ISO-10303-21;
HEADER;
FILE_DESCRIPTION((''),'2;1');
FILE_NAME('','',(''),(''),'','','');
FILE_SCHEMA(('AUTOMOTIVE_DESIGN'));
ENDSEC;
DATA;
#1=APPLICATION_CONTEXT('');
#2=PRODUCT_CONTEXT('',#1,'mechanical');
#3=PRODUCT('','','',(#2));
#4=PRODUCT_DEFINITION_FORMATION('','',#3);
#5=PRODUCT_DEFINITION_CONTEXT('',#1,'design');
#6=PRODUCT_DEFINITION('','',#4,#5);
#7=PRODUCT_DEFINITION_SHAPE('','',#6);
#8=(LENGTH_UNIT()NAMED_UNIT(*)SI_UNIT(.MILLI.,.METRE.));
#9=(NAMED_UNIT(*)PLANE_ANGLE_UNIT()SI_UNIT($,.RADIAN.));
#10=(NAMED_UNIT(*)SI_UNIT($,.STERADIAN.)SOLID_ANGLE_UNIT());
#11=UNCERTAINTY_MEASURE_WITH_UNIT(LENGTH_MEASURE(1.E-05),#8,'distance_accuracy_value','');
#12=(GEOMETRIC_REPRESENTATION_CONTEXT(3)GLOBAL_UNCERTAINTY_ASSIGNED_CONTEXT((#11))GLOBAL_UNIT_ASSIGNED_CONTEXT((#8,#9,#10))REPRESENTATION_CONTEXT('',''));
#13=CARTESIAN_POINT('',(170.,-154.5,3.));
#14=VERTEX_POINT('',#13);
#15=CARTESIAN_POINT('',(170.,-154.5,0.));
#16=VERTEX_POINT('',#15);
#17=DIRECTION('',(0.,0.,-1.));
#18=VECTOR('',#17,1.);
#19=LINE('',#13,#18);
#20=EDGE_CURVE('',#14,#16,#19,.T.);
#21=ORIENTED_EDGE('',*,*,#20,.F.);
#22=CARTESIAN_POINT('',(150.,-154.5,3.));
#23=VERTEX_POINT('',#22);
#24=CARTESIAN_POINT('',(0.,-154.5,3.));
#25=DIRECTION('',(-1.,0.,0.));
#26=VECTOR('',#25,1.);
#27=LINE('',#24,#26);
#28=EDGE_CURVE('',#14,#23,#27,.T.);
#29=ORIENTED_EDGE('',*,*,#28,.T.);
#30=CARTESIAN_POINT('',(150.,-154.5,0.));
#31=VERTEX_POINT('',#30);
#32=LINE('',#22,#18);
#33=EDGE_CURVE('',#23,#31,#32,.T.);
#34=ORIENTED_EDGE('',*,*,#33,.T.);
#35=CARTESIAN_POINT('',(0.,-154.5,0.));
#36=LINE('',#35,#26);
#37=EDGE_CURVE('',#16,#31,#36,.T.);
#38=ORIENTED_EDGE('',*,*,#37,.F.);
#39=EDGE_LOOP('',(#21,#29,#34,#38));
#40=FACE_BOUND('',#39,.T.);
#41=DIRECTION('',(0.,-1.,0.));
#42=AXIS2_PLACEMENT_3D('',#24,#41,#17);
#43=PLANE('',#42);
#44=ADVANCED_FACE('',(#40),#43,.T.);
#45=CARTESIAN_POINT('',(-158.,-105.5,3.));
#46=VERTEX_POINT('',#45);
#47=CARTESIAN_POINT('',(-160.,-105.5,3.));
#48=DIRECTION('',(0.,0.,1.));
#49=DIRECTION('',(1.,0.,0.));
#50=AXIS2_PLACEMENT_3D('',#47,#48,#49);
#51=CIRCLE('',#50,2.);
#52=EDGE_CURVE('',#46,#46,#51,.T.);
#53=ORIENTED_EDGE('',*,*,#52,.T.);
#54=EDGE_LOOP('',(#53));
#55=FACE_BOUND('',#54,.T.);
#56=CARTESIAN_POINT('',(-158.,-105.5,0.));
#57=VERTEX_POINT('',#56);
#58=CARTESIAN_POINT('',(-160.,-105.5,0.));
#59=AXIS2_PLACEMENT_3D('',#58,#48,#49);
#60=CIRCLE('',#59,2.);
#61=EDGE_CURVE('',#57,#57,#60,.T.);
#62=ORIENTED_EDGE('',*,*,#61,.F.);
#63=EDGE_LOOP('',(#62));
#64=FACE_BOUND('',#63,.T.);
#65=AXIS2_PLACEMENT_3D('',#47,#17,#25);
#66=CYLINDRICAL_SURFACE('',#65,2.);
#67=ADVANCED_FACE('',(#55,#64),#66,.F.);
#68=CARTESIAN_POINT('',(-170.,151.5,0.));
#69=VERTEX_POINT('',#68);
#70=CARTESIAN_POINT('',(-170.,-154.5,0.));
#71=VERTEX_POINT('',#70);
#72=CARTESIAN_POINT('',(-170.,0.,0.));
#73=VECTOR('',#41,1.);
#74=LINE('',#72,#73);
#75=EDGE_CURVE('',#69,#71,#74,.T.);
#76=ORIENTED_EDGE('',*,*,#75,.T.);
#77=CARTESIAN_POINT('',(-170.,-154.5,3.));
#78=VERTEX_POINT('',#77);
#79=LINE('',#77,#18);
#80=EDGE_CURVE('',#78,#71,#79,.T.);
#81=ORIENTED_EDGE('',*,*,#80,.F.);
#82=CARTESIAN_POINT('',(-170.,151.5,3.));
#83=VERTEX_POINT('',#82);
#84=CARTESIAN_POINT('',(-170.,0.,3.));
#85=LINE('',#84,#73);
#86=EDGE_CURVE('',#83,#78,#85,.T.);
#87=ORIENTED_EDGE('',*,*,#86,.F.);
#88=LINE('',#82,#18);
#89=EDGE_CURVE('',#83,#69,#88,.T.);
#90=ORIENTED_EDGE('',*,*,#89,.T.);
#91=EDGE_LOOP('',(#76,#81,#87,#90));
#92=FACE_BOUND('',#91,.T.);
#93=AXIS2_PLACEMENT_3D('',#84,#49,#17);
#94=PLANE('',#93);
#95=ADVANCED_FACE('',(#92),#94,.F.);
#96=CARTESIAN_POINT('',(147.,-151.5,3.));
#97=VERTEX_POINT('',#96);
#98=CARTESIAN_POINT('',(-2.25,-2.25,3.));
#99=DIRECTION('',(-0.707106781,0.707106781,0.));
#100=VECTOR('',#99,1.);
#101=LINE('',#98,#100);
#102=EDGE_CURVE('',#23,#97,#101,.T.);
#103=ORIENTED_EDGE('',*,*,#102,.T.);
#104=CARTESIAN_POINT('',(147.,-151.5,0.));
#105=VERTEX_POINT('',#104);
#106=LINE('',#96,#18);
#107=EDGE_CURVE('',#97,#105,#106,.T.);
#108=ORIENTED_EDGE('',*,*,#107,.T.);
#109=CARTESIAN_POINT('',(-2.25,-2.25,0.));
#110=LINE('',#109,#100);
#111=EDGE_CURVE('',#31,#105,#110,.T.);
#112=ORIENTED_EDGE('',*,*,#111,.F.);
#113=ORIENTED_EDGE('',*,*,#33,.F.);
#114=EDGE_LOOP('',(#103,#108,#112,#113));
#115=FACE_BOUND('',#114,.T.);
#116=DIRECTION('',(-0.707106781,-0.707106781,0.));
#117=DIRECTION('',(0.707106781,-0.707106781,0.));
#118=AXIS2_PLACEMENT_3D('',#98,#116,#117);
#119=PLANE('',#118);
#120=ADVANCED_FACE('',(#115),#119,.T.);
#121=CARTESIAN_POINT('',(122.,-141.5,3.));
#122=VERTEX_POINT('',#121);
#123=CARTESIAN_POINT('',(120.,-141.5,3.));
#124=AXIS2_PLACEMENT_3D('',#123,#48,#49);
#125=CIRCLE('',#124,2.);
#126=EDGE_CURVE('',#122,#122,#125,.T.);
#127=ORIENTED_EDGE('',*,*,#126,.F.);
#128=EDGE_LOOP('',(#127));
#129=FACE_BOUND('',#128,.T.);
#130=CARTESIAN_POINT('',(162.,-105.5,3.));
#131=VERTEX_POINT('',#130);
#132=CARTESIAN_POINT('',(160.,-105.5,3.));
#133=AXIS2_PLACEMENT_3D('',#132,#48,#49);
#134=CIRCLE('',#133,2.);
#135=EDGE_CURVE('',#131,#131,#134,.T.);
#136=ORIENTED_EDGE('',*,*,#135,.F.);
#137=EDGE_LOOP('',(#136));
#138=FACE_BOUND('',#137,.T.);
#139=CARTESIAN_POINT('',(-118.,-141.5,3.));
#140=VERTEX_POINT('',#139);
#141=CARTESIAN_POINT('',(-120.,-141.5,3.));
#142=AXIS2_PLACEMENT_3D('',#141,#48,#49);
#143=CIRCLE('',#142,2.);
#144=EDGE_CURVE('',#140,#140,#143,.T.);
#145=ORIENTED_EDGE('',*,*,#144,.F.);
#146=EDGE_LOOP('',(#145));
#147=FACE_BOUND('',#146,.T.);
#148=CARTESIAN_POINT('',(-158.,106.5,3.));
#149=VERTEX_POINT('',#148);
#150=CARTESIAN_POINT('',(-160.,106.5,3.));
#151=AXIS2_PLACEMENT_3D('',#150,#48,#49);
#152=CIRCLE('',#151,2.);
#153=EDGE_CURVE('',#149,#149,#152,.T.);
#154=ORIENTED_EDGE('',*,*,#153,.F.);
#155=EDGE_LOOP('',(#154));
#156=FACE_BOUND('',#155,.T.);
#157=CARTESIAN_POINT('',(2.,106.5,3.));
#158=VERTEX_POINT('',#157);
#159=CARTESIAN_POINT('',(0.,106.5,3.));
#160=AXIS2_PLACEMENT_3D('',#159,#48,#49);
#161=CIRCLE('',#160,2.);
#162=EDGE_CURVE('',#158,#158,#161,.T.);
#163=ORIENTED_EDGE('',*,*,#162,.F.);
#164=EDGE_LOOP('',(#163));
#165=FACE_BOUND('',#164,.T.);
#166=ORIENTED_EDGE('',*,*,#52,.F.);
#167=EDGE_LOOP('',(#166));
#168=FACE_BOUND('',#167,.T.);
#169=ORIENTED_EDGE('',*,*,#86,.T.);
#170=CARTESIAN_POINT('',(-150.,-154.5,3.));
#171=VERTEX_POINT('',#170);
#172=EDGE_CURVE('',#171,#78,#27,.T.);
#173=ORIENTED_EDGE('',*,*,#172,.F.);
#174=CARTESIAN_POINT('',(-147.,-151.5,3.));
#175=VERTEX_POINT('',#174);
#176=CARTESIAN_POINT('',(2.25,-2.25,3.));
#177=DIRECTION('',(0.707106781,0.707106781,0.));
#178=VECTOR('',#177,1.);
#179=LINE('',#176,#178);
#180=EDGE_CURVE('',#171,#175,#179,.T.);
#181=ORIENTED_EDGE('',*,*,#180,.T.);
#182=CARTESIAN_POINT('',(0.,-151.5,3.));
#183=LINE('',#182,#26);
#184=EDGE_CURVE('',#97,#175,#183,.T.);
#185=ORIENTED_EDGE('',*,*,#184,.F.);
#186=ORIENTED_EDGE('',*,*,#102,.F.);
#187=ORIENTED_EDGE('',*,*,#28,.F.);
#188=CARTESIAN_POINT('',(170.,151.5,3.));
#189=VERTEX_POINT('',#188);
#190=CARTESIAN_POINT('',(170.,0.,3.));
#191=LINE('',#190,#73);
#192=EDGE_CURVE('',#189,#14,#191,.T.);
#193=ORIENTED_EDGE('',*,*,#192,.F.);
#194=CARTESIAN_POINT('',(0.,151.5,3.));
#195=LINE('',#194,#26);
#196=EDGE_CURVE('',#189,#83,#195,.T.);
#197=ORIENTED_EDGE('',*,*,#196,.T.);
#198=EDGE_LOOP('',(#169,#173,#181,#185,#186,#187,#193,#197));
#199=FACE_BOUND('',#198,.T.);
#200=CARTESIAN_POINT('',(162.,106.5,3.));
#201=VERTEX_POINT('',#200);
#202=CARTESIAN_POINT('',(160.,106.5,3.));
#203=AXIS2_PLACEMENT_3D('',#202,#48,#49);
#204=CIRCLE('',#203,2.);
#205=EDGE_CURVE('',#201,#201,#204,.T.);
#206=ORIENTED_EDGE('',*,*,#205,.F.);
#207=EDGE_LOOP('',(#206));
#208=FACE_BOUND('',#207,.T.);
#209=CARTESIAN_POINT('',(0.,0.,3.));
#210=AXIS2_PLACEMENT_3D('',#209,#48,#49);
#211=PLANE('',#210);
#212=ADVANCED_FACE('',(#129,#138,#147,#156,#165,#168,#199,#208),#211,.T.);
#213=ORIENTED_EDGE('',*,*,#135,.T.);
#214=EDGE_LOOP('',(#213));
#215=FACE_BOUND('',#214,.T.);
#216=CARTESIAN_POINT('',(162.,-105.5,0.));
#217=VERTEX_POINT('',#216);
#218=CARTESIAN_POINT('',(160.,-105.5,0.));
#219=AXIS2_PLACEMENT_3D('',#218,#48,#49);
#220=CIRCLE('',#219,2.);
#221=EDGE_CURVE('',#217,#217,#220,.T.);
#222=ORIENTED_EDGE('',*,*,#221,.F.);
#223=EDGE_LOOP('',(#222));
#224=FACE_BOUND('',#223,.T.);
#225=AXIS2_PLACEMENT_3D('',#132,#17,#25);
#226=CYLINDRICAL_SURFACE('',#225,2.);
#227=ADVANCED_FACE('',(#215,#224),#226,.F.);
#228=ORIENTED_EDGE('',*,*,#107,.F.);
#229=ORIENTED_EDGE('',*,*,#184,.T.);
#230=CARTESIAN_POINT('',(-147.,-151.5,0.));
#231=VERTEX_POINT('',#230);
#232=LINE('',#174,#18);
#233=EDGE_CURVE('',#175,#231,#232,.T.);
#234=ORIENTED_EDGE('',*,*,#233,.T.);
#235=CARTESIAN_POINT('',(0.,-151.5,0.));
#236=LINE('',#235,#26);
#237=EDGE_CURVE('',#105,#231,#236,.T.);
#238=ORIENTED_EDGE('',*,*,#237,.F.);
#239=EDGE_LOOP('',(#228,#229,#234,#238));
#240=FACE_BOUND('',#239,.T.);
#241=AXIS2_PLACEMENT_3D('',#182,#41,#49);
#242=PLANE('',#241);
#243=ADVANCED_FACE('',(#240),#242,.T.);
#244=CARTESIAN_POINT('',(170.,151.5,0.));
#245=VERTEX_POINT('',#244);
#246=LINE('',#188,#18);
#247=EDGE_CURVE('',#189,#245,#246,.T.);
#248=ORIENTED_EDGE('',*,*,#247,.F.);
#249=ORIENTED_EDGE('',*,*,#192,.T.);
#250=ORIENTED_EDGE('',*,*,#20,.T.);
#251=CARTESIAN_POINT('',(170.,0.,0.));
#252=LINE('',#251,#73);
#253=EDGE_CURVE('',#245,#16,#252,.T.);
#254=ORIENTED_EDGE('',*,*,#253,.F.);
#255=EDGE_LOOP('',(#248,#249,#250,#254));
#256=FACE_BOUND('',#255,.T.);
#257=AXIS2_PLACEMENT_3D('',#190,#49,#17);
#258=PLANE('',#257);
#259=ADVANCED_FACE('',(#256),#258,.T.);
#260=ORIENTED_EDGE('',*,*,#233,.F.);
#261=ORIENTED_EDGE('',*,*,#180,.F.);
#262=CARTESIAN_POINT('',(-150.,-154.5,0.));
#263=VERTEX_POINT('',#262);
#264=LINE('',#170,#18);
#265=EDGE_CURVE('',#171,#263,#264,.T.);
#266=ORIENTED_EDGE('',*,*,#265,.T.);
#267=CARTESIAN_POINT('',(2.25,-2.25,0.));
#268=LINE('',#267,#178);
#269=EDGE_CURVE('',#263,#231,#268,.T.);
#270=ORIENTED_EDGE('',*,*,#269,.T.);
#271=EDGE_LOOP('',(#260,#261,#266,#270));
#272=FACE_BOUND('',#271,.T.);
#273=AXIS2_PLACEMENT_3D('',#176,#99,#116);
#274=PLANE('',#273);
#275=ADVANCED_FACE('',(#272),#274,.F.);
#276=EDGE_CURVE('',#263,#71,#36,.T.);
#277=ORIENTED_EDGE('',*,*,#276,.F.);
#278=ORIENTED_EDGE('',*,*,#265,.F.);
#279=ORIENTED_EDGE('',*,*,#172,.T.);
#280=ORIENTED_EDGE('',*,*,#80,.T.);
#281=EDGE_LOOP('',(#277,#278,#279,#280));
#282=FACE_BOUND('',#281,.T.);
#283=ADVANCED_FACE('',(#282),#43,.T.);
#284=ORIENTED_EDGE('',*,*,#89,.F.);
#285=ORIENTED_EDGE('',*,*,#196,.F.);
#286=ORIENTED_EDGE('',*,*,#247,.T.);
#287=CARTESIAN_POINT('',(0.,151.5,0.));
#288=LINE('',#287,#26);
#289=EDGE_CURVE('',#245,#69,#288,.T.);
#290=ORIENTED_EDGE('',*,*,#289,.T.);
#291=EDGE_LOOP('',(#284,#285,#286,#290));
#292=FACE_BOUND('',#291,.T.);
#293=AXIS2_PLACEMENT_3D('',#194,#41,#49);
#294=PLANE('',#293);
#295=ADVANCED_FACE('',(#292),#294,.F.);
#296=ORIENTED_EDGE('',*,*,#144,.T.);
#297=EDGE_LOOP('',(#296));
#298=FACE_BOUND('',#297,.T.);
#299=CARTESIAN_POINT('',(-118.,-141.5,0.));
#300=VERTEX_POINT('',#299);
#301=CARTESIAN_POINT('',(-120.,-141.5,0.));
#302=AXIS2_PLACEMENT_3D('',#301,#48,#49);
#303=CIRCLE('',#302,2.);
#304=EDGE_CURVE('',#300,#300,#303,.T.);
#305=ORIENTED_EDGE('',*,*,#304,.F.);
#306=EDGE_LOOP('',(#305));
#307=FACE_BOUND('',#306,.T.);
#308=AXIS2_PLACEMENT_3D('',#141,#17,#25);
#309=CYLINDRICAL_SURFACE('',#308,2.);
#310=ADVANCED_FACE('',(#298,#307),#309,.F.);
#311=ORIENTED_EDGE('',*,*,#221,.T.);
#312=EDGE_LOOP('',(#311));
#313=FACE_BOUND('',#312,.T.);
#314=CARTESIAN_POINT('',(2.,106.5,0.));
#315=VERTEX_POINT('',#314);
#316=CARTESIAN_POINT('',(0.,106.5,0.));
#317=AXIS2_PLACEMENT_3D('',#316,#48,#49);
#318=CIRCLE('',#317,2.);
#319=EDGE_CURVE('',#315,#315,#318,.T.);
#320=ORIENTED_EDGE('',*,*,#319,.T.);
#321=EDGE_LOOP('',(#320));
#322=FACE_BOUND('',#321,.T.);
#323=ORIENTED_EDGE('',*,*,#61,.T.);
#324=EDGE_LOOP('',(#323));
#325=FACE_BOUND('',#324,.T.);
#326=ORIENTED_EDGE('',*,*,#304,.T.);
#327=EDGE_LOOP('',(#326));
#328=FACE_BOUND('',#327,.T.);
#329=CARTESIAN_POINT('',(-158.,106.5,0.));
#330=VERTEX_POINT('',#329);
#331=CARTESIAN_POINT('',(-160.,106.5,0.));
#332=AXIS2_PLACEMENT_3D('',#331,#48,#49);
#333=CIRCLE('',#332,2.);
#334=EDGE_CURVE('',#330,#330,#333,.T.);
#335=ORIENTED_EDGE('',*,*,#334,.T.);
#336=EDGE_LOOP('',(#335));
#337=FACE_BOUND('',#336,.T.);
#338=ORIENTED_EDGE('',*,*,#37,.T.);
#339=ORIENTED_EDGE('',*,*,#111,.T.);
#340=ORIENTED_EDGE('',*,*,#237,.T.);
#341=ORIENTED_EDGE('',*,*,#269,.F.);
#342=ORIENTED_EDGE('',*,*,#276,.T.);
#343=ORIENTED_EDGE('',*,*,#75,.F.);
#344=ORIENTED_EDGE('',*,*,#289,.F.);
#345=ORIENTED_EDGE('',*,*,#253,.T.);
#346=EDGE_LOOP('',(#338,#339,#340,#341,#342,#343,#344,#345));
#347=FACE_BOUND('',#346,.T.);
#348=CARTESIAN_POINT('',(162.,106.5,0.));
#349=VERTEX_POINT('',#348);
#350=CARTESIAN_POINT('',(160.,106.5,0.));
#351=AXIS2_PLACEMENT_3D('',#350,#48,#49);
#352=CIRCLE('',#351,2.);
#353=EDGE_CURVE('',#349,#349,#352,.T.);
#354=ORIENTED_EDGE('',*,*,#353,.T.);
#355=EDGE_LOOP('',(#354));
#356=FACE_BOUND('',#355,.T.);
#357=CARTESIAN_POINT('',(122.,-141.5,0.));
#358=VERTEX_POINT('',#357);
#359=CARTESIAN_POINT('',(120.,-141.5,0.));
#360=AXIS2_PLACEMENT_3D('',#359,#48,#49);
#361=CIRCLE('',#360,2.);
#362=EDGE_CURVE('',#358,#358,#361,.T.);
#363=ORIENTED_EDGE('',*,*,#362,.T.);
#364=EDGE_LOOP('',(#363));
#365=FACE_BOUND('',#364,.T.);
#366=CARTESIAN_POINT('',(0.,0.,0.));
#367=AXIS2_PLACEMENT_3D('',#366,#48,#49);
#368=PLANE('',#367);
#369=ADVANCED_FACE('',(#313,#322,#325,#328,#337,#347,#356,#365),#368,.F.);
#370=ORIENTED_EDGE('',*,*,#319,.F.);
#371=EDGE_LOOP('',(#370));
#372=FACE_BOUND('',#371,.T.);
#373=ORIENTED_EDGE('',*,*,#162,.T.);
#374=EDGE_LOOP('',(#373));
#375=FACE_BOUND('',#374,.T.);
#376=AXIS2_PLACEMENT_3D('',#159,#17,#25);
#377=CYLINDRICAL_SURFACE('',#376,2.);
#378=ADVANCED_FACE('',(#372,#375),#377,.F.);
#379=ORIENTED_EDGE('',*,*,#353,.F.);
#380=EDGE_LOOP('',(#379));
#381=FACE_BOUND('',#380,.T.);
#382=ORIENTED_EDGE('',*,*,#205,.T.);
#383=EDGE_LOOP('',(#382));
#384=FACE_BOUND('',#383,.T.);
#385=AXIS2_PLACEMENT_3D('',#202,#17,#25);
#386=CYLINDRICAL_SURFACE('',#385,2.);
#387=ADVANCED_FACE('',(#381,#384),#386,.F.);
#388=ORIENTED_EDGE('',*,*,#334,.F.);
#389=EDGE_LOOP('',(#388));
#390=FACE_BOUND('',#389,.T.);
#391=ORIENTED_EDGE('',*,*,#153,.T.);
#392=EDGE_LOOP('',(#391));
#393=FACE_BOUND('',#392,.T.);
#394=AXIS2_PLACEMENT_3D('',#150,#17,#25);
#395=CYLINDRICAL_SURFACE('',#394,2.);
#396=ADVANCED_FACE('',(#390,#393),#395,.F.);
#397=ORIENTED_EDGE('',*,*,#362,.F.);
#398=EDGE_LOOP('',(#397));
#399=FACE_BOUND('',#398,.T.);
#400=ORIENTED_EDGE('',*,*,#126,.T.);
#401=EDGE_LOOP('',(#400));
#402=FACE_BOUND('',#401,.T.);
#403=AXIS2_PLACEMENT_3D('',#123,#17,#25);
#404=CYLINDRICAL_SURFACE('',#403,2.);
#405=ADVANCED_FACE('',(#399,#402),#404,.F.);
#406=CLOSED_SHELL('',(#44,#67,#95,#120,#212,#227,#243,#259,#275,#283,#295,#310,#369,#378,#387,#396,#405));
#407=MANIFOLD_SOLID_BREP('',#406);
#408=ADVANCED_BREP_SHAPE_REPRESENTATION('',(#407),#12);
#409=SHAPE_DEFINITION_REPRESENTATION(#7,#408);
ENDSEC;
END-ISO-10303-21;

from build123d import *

# Parameters (mm, degrees)
SKETCH1_3_R         = 2
BOSS_EXTRUDE2_DEPTH = 3


with BuildPart() as part:
    # Sketch1<3> → Boss-Extrude2 (new body)
    with BuildSketch(Plane.XY):
        Polygon((170, 151.5), (-170, 151.5), (-170, -154.5), (-150, -154.5), (-147, -151.5), (147, -151.5), (150, -154.5), (170, -154.5), align=None)
        with Locations((-120, -141.5)):
            Circle(SKETCH1_3_R, mode=Mode.SUBTRACT)
        with Locations((-160, -105.5)):
            Circle(SKETCH1_3_R, mode=Mode.SUBTRACT)
        with Locations((120, -141.5)):
            Circle(SKETCH1_3_R, mode=Mode.SUBTRACT)
        with Locations((160, -105.5)):
            Circle(SKETCH1_3_R, mode=Mode.SUBTRACT)
        with Locations((-160, 106.5)):
            Circle(SKETCH1_3_R, mode=Mode.SUBTRACT)
        with Locations((0, 106.5)):
            Circle(SKETCH1_3_R, mode=Mode.SUBTRACT)
        with Locations((160, 106.5)):
            Circle(SKETCH1_3_R, mode=Mode.SUBTRACT)
    extrude(amount=BOSS_EXTRUDE2_DEPTH)


solid = part.part
